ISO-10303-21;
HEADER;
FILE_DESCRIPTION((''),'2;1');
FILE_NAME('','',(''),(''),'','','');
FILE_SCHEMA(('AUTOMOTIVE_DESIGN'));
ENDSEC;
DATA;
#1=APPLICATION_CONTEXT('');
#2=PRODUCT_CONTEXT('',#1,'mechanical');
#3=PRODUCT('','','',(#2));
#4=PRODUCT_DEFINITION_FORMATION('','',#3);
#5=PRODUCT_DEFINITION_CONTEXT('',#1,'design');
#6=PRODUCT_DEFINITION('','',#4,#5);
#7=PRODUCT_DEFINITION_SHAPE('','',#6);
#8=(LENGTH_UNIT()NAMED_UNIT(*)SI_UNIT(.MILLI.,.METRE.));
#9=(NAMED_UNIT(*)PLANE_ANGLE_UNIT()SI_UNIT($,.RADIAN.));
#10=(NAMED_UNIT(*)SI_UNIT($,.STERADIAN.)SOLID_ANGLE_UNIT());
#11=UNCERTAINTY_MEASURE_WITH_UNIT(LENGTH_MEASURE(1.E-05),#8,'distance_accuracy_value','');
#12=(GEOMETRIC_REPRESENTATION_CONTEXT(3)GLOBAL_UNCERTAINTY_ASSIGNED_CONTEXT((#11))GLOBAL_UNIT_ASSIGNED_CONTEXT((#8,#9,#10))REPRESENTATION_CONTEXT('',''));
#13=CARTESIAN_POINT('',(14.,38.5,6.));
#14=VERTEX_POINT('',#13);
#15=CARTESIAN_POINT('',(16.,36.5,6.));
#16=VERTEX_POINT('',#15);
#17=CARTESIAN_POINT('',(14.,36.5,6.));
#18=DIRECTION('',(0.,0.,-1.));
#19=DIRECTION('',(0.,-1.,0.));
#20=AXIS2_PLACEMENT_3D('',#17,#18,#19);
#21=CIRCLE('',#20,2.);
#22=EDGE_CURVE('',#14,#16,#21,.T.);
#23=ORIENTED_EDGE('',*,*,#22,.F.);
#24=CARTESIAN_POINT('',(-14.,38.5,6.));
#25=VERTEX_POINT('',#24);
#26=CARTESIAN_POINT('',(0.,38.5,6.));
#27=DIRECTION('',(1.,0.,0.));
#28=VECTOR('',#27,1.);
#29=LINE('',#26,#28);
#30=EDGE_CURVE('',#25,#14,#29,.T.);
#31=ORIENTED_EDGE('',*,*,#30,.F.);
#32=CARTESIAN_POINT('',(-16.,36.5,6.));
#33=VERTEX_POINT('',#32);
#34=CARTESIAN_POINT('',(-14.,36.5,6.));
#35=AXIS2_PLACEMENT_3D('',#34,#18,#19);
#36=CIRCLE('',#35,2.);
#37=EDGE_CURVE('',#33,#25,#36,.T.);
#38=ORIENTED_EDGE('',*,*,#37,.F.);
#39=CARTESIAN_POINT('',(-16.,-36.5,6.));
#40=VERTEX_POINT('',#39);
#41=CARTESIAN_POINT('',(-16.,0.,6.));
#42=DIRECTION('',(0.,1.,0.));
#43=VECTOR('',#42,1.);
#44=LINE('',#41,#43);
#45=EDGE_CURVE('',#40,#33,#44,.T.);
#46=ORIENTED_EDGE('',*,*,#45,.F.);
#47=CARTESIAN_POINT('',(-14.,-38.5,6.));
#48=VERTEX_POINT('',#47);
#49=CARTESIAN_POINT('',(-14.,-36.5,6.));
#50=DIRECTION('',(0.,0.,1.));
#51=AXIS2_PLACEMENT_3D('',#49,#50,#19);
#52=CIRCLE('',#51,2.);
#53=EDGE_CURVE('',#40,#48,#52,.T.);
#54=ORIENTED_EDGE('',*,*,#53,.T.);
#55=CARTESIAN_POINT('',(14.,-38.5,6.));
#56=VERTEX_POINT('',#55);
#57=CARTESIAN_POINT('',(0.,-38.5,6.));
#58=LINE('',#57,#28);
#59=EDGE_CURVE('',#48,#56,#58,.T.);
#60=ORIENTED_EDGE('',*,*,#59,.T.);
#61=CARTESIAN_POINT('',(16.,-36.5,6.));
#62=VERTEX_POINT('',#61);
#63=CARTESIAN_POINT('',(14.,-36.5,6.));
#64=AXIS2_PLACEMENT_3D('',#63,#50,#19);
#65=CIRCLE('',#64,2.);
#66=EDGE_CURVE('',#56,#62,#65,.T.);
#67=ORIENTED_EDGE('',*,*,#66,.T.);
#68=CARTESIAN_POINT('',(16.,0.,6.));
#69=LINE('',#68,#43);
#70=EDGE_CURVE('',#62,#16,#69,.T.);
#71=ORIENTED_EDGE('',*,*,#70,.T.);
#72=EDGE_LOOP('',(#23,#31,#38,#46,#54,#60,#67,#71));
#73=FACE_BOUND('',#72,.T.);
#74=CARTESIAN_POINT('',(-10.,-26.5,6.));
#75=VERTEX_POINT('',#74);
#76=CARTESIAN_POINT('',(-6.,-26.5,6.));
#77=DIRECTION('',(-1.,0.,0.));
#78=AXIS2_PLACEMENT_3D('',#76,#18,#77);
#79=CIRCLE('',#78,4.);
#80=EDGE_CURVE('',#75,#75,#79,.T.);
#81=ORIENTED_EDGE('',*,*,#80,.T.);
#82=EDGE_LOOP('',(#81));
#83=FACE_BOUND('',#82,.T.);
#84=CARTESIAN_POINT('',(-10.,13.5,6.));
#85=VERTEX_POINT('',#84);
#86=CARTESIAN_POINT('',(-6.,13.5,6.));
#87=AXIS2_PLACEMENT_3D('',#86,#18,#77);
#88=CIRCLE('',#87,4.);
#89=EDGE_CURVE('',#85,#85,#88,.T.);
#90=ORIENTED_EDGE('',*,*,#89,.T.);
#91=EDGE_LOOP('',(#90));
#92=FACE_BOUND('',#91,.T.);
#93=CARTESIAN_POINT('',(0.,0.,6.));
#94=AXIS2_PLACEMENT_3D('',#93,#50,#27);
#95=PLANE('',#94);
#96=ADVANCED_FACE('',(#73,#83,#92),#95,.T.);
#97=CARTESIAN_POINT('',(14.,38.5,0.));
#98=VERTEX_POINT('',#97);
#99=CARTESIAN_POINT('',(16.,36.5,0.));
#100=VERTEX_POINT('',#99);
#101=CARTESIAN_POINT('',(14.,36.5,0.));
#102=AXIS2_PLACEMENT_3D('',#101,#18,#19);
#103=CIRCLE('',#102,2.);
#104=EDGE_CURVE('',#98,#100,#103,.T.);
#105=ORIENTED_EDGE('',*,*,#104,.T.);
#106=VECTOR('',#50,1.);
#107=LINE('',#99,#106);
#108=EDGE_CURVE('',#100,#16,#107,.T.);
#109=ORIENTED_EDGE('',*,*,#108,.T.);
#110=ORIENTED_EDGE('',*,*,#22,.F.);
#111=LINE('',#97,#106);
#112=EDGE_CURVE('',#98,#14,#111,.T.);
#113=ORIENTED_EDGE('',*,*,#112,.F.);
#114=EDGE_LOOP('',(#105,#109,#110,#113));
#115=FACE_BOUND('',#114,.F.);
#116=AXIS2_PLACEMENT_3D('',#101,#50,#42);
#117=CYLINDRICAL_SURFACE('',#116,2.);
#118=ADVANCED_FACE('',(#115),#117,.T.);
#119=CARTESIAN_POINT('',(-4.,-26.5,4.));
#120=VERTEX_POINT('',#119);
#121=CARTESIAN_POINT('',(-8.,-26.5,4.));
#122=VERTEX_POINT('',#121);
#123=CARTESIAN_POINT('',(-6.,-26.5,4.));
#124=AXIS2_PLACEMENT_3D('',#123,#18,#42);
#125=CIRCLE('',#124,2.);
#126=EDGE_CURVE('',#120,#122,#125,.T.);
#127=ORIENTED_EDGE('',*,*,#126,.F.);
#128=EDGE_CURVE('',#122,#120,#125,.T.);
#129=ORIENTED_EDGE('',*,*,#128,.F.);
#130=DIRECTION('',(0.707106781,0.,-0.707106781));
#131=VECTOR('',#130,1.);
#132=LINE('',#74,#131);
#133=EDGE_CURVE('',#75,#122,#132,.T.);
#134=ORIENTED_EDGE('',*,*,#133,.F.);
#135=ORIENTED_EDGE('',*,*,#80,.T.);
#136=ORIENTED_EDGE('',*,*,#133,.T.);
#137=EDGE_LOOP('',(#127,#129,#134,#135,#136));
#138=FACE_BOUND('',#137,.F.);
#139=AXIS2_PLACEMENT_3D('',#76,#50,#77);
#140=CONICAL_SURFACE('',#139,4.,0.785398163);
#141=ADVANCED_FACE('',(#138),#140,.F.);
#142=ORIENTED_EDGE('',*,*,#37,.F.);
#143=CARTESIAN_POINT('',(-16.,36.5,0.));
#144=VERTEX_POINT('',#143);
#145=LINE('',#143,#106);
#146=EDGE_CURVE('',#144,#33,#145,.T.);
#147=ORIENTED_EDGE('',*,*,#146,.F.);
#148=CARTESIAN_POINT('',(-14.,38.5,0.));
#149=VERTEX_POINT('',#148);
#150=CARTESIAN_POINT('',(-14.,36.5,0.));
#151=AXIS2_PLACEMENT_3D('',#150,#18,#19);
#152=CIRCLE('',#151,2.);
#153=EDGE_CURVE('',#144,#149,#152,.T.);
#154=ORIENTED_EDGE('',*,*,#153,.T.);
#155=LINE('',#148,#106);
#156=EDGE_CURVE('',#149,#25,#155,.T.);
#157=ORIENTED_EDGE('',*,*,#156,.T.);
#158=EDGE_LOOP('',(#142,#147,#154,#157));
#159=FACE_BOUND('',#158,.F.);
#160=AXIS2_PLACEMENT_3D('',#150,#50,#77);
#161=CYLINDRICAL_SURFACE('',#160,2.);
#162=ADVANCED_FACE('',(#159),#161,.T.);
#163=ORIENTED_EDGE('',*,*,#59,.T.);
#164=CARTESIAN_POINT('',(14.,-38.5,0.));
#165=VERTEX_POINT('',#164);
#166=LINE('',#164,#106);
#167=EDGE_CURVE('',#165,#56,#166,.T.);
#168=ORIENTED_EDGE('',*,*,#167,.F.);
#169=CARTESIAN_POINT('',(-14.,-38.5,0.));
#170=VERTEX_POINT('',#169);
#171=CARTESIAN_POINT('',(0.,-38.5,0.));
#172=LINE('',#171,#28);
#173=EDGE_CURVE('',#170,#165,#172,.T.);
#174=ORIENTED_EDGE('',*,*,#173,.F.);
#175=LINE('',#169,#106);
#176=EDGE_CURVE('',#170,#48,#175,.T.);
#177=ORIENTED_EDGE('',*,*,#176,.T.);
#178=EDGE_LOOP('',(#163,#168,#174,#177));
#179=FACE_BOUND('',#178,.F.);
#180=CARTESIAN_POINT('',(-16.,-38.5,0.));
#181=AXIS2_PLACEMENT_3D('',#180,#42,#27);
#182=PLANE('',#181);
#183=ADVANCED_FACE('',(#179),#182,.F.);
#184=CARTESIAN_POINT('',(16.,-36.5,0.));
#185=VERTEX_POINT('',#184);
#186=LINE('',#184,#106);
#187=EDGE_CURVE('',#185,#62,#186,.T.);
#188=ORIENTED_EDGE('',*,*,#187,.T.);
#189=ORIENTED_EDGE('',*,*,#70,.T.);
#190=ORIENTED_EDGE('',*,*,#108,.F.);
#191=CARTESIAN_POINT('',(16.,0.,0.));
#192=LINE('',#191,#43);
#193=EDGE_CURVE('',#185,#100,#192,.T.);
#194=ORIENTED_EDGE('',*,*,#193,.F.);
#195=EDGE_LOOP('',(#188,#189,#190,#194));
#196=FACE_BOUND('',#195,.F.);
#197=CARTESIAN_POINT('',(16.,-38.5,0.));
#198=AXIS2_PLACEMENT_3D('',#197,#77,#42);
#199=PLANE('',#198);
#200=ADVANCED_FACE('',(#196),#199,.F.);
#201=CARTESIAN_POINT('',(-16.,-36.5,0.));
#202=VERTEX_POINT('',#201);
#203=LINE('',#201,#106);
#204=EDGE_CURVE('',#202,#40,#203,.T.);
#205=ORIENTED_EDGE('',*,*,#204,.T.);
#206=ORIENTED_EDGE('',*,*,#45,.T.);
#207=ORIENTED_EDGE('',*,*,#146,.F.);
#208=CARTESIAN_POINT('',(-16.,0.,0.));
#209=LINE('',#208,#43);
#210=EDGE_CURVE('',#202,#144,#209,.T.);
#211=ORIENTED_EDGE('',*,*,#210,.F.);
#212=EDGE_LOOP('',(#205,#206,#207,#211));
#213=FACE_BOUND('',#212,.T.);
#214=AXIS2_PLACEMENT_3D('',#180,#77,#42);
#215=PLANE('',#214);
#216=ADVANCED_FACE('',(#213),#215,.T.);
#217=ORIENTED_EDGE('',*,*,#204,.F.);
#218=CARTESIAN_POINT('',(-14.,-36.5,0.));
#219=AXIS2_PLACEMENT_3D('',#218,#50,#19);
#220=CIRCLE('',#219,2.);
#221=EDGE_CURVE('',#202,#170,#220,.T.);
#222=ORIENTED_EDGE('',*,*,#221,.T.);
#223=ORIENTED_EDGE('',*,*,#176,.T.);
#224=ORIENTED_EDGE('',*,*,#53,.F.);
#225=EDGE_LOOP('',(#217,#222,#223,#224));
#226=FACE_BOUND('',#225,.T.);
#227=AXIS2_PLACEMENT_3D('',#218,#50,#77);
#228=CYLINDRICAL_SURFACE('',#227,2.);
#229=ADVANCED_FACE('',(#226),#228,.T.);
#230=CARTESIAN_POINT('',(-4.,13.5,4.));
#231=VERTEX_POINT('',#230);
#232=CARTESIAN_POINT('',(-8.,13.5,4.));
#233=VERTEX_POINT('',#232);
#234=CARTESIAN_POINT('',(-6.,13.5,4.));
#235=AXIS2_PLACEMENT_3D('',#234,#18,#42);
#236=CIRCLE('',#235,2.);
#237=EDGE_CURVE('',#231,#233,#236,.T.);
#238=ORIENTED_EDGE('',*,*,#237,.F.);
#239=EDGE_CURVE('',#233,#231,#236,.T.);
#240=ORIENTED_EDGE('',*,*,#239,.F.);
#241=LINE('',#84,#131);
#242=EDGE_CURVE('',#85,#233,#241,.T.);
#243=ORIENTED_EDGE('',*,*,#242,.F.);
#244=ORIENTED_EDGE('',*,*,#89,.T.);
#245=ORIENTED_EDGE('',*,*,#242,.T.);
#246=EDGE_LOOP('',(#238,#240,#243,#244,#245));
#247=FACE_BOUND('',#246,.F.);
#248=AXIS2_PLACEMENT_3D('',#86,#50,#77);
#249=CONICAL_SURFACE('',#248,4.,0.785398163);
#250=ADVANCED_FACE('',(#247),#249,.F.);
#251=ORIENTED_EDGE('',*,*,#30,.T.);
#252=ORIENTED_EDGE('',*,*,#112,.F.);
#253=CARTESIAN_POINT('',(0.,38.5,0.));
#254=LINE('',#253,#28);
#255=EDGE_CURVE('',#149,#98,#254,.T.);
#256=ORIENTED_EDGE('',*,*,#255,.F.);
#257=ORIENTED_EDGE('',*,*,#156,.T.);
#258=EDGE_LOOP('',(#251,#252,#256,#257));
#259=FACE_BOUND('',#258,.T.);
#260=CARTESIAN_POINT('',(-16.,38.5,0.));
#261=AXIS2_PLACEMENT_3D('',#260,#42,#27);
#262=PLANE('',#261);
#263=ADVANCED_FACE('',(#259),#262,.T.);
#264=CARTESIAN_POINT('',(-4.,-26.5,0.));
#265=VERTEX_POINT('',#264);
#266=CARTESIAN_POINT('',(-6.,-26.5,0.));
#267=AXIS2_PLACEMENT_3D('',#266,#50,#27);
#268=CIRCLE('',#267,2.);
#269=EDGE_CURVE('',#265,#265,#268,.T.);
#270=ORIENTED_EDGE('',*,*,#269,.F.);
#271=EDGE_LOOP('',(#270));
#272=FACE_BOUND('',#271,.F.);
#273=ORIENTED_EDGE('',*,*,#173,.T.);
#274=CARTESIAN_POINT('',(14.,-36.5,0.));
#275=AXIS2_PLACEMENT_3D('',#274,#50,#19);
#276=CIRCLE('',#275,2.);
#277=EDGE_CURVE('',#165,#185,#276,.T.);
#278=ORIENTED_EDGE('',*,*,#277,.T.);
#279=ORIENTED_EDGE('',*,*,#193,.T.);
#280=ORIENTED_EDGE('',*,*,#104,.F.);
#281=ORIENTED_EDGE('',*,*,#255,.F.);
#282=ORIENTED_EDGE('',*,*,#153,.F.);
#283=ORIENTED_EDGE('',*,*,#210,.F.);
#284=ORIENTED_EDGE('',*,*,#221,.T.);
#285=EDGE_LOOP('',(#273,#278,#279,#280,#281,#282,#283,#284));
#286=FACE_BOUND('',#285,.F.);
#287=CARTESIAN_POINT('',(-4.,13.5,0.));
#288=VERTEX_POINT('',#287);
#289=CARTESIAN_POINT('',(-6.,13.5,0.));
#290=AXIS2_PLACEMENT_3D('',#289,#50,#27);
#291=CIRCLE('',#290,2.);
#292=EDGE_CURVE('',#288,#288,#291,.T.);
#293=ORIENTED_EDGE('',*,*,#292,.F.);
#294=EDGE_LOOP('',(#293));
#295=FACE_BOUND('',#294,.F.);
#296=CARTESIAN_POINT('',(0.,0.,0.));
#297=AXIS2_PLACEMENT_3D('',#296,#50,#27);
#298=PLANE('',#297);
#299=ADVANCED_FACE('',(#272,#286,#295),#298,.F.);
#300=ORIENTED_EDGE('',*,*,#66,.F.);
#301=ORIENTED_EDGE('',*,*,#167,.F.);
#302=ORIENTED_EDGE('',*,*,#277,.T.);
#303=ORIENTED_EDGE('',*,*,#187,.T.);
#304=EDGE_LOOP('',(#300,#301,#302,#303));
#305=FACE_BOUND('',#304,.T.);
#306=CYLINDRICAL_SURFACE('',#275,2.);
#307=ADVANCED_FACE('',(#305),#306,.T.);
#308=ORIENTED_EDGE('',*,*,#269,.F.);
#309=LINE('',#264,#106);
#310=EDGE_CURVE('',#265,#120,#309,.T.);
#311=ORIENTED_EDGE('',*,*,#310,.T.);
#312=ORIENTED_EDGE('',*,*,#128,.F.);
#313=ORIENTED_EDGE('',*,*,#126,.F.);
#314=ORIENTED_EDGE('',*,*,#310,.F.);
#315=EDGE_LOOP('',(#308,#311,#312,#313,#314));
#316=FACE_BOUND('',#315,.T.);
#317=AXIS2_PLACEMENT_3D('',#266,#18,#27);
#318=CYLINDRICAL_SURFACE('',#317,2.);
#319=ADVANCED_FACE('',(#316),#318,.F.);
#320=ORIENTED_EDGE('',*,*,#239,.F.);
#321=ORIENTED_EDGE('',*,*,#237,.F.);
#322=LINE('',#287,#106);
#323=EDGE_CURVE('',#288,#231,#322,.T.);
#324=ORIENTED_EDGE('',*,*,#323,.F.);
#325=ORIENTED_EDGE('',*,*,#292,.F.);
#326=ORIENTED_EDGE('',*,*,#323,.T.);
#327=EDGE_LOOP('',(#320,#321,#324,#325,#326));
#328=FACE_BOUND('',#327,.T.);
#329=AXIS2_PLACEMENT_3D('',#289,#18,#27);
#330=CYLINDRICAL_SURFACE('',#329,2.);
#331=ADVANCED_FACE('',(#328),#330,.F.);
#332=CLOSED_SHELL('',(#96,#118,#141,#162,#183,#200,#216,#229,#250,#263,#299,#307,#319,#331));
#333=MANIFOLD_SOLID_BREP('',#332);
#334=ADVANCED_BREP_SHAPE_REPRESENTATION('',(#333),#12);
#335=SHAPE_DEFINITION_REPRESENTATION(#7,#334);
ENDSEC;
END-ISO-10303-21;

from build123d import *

# Parameters (mm, degrees)
F0_W           = 32
F0_H           = 77
F0_R           = 2
F1_DEPTH       = 6
F2_R           = 2
F4_D           = 4
F4_DEPTH       = 10
F4_CSINK_D     = 8
F4_CSINK_ANGLE = 90


with BuildPart() as f1:
    # F0 (on Top) → F1 (new body)
    with BuildSketch(Plane.XY):
        Rectangle(F0_W, F0_H)
        with Locations((-6, -26.5)):
            Circle(F0_R, mode=Mode.SUBTRACT)
        with Locations((-6, 13.5)):
            Circle(F0_R, mode=Mode.SUBTRACT)
    extrude(amount=F1_DEPTH)

    # F2
    f2_edges = [f1.edges().sort_by_distance(p)[0] for p in [
        (-16, 38.5, 3),
        (16, 38.5, 3),
        (16, -38.5, 3),
        (-16, -38.5, 3),
    ]]
    fillet(f2_edges, radius=F2_R)

    # F4
    with Locations(Plane.XY.offset(6)):
        with Locations((-6, 13.5), (-6, -26.5)):
            CounterSinkHole(F4_D / 2, F4_CSINK_D / 2, depth=F4_DEPTH, counter_sink_angle=F4_CSINK_ANGLE)


solid = f1.part
